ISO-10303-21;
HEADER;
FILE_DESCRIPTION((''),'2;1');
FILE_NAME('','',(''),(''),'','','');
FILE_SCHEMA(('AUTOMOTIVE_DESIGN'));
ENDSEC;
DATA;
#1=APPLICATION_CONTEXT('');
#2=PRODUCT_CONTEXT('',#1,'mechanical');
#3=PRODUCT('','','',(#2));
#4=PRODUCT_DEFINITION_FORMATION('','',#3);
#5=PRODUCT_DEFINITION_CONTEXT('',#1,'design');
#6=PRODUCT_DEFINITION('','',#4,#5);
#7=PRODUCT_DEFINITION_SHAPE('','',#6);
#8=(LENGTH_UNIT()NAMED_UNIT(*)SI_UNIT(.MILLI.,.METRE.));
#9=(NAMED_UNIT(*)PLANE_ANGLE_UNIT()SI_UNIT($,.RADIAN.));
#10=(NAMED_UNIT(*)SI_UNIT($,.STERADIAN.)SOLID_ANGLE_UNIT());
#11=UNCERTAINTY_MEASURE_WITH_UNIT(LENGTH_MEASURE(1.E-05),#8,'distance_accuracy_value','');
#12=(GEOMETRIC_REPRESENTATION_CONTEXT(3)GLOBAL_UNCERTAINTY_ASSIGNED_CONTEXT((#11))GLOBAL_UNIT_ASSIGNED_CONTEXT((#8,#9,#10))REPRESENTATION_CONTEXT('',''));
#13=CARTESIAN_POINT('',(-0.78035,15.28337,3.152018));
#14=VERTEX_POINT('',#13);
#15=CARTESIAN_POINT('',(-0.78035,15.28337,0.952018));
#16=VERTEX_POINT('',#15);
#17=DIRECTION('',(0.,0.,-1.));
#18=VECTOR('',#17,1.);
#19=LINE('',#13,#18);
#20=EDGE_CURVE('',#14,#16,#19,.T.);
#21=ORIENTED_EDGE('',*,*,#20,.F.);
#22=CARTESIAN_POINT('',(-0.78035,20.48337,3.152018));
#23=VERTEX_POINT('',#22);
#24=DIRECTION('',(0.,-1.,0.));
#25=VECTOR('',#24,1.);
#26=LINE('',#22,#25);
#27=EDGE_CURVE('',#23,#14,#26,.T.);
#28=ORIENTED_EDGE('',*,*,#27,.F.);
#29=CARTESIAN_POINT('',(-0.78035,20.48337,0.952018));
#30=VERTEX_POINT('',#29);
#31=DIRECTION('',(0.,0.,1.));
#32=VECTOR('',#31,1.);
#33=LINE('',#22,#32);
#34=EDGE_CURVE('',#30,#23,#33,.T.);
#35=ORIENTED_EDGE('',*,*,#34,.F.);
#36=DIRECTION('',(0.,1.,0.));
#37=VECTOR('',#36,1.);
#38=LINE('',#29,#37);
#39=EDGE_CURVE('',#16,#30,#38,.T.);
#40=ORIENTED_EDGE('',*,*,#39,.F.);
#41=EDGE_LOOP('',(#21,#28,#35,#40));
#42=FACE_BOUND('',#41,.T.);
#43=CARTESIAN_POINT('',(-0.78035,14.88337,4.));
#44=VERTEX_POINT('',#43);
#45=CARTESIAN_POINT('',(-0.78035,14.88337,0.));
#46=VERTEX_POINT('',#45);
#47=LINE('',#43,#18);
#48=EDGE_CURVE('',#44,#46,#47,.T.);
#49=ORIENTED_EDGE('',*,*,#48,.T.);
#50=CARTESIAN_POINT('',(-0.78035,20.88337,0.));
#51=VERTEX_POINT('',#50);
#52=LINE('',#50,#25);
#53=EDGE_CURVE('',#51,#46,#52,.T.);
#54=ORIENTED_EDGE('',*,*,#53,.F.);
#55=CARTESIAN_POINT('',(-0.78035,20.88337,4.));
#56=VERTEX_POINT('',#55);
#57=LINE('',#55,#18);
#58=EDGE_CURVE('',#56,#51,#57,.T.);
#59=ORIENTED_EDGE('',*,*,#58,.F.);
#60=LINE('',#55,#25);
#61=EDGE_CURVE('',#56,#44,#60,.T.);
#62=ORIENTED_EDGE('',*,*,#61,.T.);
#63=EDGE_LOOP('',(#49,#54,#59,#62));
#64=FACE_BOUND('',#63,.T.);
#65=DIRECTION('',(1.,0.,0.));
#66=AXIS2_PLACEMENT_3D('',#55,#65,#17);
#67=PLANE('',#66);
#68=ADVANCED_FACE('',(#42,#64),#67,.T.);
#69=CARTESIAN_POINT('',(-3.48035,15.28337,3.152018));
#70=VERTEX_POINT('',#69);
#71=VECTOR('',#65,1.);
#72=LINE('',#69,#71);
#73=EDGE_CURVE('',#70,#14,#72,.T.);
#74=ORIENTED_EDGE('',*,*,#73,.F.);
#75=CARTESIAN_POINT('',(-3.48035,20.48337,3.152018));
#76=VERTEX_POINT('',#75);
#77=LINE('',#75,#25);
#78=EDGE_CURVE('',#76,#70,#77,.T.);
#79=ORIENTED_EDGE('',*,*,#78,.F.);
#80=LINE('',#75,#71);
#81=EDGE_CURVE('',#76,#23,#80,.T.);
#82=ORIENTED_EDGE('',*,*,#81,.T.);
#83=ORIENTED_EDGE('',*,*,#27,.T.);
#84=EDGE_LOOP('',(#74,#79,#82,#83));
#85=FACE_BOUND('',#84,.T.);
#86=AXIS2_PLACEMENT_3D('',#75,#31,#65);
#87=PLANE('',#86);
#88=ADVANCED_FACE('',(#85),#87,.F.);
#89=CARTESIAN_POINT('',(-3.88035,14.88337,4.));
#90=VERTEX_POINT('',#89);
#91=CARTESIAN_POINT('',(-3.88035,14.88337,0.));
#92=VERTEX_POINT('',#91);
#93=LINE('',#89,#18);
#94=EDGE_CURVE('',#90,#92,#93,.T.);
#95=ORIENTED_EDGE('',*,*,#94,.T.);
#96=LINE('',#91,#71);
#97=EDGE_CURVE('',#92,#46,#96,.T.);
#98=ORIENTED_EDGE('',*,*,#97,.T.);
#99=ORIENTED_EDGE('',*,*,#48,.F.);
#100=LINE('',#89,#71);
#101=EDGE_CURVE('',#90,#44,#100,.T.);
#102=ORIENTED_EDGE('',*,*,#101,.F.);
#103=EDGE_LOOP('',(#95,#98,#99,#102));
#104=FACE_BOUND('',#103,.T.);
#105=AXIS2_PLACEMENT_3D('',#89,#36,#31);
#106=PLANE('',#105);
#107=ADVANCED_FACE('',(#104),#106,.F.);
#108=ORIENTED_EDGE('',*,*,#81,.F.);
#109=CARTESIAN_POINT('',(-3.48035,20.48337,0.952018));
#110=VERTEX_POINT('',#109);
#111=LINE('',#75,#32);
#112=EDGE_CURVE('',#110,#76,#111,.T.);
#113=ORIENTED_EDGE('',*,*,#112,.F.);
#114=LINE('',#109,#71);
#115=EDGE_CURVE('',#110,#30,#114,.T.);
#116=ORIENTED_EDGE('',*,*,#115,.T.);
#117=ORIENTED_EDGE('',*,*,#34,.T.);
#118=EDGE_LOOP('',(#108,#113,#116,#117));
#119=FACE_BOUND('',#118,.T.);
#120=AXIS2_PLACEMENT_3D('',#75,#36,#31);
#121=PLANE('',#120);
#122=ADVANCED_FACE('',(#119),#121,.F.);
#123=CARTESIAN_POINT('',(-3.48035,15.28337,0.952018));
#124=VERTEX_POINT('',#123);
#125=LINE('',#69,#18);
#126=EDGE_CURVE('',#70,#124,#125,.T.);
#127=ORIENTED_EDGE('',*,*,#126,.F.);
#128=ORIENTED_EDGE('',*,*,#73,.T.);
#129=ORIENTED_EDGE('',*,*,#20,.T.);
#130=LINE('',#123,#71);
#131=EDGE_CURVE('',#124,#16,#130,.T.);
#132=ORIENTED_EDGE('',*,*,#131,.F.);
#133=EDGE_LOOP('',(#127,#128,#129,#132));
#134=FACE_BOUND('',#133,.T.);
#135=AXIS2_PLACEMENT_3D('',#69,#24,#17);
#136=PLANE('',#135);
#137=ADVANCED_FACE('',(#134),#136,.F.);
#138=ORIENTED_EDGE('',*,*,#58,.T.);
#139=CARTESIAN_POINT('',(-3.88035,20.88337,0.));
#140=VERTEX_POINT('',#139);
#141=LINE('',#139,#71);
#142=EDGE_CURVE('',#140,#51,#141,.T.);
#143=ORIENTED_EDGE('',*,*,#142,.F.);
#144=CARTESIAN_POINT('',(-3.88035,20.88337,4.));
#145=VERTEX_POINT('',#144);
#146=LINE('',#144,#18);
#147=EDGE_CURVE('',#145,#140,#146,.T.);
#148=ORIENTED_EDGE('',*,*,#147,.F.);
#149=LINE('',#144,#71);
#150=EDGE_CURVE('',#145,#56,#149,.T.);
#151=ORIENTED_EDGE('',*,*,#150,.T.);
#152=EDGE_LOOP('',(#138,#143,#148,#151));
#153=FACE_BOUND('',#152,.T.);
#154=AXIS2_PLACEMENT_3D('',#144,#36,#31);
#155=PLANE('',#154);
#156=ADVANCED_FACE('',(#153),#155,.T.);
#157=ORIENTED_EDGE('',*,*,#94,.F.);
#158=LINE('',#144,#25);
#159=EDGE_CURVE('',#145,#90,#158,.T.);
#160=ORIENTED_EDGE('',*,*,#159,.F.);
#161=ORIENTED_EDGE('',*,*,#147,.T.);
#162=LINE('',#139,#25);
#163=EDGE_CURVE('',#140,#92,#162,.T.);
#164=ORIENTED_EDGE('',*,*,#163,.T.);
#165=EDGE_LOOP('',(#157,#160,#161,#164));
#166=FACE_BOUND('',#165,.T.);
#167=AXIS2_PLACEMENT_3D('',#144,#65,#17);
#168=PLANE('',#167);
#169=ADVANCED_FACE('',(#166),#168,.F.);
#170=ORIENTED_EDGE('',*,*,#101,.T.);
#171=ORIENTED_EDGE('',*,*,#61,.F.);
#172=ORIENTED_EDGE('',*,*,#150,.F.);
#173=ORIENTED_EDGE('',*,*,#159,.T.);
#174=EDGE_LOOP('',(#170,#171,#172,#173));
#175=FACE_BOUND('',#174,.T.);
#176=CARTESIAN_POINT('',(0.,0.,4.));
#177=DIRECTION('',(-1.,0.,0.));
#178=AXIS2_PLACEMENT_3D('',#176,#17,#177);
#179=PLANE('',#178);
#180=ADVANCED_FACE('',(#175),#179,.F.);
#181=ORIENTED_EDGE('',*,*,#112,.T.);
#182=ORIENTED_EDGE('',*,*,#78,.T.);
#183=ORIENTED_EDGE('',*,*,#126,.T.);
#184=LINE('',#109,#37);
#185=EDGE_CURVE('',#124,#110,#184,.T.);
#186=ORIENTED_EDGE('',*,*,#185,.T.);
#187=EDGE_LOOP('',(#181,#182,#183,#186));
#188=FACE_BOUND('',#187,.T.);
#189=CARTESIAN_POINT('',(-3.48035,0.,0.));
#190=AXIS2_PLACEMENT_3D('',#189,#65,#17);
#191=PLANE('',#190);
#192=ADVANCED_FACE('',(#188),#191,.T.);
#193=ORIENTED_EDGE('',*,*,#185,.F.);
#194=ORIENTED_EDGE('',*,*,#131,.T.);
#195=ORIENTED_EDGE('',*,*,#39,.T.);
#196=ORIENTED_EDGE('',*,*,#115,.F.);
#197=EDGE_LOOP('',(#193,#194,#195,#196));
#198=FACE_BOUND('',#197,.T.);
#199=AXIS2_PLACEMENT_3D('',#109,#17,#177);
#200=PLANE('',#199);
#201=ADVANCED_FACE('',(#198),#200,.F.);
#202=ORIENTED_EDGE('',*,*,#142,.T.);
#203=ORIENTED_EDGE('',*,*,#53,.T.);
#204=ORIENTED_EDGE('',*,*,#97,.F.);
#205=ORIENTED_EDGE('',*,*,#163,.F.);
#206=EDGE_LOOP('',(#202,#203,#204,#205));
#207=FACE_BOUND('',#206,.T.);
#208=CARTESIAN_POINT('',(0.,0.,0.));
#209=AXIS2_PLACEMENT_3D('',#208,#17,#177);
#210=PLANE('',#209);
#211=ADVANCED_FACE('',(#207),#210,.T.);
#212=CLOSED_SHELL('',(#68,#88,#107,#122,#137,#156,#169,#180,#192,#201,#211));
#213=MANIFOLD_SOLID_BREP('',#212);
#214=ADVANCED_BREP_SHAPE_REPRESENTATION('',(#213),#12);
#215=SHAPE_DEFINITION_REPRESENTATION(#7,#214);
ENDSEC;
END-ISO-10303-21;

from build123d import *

# Parameters (mm, degrees)
SKETCH_1_W          = 3.1
SKETCH_1_H          = 6
EXTRUDE_1_DEPTH     = 4
SKETCH_2_W          = 2.2
SKETCH_2_H          = 5.2
CUT_EXTRUDE_1_DEPTH = 2.7


with BuildPart() as part:
    # 草图1 → 凸台-拉伸1 (new body)
    with BuildSketch(Plane.XY):
        with Locations((-2.33035, 17.88337)):
            Rectangle(SKETCH_1_W, SKETCH_1_H)
    extrude(amount=EXTRUDE_1_DEPTH)

    # 草图2 → 切除-拉伸1 (cut)
    with BuildSketch(Plane(origin=(-0.78035, 0, 0), x_dir=(0, 0, -1), z_dir=(1, 0, 0))):
        with Locations((-2.052017878, 17.88337)):
            Rectangle(SKETCH_2_W, SKETCH_2_H)
    extrude(amount=-CUT_EXTRUDE_1_DEPTH, mode=Mode.SUBTRACT)


solid = part.part
